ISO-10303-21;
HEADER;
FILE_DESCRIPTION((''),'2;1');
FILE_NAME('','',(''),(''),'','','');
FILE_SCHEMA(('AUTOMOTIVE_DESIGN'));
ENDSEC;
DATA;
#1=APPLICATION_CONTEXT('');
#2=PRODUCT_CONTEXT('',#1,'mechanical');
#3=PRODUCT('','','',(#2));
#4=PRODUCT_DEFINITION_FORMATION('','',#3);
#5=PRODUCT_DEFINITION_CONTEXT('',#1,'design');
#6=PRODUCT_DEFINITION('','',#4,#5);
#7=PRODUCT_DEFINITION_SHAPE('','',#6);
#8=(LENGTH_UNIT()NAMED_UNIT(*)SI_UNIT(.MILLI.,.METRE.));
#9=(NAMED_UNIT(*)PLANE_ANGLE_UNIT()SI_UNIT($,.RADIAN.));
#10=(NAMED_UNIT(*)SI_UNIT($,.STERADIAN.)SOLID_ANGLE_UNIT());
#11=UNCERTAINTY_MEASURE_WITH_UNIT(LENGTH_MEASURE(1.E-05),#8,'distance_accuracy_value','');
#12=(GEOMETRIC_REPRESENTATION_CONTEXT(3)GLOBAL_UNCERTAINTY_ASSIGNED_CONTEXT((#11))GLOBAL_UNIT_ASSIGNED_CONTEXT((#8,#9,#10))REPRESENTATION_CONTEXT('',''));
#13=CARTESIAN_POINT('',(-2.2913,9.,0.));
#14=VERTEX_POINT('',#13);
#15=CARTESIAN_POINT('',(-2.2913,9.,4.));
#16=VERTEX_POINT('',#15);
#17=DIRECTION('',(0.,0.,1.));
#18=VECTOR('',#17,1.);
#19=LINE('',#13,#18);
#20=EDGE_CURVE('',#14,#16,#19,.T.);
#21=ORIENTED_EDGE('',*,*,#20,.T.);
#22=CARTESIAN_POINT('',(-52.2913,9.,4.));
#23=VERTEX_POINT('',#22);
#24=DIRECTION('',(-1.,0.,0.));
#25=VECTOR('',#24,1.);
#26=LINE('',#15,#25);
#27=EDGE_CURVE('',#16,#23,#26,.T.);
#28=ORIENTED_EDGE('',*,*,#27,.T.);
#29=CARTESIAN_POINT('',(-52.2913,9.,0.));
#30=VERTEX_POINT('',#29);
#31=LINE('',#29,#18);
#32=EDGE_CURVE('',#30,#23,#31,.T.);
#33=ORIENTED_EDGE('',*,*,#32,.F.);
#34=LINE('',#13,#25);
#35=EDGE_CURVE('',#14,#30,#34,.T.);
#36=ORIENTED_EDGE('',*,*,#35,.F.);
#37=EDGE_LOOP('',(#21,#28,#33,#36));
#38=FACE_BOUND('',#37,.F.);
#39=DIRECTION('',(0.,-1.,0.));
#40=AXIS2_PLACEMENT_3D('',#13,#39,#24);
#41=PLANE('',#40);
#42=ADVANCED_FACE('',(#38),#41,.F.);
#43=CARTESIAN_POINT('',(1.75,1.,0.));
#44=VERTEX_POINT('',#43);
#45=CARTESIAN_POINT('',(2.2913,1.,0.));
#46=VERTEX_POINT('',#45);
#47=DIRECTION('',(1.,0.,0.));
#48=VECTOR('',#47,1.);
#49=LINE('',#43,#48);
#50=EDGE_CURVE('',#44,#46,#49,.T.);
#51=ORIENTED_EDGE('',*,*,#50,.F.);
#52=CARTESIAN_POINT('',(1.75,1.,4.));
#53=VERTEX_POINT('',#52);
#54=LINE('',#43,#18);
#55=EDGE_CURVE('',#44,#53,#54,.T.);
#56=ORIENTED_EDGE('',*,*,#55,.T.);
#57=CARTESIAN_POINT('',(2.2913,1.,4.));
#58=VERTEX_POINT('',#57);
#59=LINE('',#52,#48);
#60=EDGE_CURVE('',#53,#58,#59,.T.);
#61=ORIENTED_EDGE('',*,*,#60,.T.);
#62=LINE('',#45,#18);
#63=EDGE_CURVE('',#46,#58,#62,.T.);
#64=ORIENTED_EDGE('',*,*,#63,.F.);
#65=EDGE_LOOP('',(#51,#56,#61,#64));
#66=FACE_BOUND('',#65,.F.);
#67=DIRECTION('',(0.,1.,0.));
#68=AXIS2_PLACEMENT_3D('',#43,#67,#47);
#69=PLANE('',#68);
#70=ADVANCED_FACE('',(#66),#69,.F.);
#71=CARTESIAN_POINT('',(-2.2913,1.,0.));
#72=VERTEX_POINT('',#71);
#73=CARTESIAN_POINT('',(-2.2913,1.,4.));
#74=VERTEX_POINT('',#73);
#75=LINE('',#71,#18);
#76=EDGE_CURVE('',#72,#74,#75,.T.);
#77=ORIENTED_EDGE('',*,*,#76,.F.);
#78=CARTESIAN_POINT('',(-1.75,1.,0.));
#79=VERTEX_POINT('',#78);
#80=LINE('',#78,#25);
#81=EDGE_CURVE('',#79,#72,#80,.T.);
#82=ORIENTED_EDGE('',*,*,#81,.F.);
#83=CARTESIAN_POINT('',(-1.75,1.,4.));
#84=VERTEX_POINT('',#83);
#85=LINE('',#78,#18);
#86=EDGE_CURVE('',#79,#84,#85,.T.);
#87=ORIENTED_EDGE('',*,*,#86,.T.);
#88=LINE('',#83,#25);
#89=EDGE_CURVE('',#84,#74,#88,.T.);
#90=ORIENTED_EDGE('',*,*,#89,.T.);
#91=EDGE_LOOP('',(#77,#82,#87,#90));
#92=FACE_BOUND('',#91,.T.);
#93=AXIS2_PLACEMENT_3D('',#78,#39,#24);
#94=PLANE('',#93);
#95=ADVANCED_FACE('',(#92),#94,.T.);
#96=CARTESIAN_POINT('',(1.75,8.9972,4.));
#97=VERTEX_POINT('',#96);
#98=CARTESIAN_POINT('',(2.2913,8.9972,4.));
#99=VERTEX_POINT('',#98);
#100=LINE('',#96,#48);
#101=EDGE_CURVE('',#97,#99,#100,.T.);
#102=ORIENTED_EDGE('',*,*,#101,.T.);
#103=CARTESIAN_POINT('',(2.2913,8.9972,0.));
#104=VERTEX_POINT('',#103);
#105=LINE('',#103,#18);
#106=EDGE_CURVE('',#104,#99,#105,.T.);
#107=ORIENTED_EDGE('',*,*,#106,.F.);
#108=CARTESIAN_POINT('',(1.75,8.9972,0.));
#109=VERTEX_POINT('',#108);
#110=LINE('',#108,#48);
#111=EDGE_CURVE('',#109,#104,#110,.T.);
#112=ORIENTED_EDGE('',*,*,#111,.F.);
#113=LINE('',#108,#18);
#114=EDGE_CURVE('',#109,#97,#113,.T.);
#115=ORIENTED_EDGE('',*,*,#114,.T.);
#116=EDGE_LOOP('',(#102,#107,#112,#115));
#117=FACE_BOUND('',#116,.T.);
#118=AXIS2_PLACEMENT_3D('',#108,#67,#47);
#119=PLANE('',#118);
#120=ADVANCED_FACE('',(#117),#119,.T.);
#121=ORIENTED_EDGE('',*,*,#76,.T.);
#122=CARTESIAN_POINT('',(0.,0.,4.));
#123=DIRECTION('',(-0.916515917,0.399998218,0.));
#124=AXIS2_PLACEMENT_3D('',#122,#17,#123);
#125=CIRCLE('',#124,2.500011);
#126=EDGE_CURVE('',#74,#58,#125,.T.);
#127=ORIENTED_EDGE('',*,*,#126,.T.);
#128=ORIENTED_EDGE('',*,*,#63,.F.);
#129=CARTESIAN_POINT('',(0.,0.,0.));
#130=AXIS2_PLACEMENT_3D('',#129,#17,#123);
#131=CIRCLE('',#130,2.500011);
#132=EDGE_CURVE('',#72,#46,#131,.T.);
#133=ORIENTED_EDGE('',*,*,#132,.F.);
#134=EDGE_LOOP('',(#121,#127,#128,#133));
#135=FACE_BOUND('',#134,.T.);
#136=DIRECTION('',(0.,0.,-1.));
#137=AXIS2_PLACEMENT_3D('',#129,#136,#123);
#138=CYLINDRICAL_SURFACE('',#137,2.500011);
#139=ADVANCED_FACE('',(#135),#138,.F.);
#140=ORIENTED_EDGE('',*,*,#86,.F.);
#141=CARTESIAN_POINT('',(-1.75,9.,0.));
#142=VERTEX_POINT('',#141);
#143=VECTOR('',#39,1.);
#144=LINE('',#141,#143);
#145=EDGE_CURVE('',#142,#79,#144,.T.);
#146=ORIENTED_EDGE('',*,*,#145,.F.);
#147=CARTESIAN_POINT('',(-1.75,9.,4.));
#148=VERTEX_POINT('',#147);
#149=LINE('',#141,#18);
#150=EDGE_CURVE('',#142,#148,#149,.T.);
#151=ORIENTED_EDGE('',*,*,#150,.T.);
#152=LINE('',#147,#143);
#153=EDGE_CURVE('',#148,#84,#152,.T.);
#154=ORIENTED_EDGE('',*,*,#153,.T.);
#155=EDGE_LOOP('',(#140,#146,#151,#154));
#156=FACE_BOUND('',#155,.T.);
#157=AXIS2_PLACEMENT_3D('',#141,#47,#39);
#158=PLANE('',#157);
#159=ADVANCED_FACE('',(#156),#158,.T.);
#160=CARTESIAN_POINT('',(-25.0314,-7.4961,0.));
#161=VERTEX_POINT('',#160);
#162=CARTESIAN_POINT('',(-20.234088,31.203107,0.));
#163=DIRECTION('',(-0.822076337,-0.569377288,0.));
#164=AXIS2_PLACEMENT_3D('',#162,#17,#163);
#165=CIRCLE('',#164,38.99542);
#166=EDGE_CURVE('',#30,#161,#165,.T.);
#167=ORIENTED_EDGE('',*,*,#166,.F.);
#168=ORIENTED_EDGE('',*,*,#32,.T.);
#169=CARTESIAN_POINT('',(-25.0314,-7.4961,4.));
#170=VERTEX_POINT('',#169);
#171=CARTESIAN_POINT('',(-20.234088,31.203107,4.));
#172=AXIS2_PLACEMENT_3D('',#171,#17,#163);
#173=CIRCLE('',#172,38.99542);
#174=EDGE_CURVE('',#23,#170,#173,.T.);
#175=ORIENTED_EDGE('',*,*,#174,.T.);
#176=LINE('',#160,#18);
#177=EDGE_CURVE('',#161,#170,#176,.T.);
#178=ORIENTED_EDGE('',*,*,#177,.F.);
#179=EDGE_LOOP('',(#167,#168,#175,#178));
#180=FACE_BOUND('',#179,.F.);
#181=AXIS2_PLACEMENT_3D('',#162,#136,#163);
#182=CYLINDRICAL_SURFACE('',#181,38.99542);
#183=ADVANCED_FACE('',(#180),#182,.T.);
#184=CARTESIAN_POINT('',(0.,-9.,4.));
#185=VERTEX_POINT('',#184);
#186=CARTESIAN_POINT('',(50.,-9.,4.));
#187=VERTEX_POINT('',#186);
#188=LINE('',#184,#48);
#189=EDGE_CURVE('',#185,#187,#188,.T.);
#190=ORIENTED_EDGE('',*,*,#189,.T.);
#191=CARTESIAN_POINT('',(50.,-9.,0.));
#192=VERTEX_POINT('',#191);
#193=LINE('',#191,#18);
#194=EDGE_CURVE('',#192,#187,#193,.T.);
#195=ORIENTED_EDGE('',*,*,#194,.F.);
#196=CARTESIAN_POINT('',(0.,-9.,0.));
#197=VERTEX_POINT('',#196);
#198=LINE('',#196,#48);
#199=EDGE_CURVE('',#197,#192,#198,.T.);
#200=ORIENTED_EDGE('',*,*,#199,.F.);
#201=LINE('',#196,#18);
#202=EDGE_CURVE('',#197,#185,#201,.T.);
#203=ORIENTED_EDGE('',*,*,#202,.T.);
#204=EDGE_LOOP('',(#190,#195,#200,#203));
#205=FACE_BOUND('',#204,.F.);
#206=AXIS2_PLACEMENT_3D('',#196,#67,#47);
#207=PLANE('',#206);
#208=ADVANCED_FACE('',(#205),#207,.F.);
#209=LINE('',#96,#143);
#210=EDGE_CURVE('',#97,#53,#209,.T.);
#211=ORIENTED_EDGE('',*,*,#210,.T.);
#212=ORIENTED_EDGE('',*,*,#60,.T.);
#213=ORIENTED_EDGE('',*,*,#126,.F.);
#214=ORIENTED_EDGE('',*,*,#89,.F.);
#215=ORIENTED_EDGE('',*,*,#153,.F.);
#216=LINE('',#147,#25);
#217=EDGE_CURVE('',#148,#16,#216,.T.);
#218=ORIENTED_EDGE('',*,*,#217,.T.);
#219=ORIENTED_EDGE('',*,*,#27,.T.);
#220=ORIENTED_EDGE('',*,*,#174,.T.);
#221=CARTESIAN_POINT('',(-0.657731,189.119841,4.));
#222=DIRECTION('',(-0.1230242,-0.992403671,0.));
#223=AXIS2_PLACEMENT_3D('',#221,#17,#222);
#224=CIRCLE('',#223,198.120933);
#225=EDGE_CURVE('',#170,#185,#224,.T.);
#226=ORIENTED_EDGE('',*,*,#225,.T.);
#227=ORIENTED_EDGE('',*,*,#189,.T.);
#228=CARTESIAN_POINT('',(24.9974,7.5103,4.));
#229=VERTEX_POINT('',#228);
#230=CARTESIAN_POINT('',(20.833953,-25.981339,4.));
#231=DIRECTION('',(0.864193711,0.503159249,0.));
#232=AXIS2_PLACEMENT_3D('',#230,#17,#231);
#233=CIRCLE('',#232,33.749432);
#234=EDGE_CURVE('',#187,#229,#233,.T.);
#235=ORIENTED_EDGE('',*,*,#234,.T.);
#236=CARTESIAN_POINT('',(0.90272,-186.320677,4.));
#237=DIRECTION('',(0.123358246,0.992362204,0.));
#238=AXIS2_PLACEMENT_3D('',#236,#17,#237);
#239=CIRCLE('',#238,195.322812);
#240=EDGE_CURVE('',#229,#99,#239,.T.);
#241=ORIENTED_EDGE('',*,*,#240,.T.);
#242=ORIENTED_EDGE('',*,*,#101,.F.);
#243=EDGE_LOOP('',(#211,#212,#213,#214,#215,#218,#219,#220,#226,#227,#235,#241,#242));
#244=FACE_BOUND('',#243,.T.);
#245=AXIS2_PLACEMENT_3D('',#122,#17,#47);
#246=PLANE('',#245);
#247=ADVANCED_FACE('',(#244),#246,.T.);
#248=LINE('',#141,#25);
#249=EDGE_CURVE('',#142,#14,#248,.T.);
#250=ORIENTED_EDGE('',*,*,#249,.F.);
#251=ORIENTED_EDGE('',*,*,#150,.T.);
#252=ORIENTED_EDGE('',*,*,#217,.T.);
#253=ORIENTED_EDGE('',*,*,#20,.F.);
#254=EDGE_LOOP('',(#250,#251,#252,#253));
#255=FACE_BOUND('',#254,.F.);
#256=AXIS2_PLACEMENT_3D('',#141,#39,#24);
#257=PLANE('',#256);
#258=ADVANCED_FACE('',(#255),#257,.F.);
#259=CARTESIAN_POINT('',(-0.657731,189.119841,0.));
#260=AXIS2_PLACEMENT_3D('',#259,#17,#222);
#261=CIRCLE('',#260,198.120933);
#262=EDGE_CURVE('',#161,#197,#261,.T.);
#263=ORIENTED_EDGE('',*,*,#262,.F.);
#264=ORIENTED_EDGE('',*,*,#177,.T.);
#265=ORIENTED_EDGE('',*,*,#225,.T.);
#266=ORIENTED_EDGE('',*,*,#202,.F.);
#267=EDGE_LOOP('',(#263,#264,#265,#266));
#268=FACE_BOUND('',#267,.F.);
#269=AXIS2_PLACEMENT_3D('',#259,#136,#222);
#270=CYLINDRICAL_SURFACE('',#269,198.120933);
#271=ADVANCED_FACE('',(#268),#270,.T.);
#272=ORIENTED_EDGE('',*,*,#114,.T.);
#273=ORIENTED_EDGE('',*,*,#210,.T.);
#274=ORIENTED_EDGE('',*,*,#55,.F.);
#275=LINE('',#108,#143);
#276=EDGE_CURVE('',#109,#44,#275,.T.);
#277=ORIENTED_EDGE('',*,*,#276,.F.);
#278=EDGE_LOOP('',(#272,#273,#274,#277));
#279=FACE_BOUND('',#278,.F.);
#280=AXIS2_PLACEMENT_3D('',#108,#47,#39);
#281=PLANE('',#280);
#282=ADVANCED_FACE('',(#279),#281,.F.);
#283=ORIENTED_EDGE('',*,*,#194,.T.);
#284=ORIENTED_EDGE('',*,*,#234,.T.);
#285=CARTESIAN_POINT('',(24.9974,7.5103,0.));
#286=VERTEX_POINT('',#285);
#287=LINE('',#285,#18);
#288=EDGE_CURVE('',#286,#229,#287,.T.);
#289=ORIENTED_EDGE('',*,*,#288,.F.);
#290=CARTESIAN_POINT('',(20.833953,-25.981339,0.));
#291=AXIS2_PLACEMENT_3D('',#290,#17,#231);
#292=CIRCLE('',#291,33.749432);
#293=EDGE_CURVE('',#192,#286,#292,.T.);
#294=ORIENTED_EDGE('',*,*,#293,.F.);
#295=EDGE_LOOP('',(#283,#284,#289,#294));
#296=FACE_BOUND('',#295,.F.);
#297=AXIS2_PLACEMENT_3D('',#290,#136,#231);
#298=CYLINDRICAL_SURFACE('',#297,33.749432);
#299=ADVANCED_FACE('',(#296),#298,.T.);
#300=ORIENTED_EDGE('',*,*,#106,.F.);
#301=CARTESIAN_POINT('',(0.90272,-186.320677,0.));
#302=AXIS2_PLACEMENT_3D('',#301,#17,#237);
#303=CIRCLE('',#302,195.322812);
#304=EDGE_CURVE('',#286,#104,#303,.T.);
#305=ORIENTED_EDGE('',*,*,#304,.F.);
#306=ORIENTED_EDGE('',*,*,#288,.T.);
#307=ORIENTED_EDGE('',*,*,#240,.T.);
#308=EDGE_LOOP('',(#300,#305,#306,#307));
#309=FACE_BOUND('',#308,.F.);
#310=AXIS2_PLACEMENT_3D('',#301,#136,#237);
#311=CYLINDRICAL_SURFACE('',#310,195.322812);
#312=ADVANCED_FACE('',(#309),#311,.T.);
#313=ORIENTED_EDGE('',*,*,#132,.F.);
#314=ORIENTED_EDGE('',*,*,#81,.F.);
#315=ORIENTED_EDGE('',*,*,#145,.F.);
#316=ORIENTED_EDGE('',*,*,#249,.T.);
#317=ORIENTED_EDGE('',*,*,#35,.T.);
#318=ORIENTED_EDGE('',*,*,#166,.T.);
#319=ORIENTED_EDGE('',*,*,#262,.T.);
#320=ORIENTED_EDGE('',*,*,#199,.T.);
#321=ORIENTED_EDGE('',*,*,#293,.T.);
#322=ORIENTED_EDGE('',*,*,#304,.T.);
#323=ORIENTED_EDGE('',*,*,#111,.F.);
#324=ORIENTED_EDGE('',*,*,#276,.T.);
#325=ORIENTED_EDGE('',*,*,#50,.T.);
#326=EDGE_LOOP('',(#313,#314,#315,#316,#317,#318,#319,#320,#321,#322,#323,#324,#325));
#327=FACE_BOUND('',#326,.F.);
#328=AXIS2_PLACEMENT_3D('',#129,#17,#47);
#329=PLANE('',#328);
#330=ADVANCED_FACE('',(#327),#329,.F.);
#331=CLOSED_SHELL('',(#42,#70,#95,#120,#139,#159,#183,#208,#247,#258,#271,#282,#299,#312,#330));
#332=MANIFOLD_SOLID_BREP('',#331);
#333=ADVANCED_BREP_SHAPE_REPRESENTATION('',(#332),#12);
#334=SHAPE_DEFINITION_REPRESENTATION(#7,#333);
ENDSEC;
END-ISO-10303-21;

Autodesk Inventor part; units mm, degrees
ref_plane "YZ Plane" through (0, 0, 0) normal (1, 0, 0) x (0, 1, 0)
ref_plane "XZ Plane" through (0, 0, 0) normal (0, 1, 0) x (-1, 0, 0)
ref_plane "XY Plane" through (0, 0, 0) normal (0, 0, 1) x (1, 0, 0)
sketch "Boceto1" plane through (0, 0, 0) normal (0, 0, 1) x (1, 0, 0)
  arc A0 (-2.2913, 1) -> (2.2913, 1) centre (0, 0) ccw
  arc A1 (-25.0314, -7.4961) -> (0, -9) centre (-0.6579, 189.118) ccw
  arc A2 (24.9974, 7.5103) -> (2.2913, 8.9972) centre (0.9036, -186.3114) ccw
  line L0 (0, -9) -> (50, -9)
  line L1 (-2.2913, 9) -> (-52.2913, 9)
  arc A3 (-52.2913, 9) -> (-25.0314, -7.4961) centre (-20.234, 31.2032) ccw
  arc A4 (50, -9) -> (24.9974, 7.5103) centre (20.8341, -25.9812) ccw
  line L2 (-1.75, 9) -> (-1.75, 1)
  line L3 (1.75, 8.9972) -> (1.75, 1)
  line L4 (1.75, 1) -> (2.2913, 1)
  line L5 (-1.75, 1) -> (-2.2913, 1)
  line L6 (-1.75, 9) -> (-2.2913, 9)
  line L7 (1.75, 8.9972) -> (2.2913, 8.9972)
  dimension "d0" = 5
  dimension "d31" = 50
  dimension "d32" = 50
extrude "Extrusión3" add sketch "Boceto1" along normal blind 4
properties part number "balancin" material "Madera (abedul)"
